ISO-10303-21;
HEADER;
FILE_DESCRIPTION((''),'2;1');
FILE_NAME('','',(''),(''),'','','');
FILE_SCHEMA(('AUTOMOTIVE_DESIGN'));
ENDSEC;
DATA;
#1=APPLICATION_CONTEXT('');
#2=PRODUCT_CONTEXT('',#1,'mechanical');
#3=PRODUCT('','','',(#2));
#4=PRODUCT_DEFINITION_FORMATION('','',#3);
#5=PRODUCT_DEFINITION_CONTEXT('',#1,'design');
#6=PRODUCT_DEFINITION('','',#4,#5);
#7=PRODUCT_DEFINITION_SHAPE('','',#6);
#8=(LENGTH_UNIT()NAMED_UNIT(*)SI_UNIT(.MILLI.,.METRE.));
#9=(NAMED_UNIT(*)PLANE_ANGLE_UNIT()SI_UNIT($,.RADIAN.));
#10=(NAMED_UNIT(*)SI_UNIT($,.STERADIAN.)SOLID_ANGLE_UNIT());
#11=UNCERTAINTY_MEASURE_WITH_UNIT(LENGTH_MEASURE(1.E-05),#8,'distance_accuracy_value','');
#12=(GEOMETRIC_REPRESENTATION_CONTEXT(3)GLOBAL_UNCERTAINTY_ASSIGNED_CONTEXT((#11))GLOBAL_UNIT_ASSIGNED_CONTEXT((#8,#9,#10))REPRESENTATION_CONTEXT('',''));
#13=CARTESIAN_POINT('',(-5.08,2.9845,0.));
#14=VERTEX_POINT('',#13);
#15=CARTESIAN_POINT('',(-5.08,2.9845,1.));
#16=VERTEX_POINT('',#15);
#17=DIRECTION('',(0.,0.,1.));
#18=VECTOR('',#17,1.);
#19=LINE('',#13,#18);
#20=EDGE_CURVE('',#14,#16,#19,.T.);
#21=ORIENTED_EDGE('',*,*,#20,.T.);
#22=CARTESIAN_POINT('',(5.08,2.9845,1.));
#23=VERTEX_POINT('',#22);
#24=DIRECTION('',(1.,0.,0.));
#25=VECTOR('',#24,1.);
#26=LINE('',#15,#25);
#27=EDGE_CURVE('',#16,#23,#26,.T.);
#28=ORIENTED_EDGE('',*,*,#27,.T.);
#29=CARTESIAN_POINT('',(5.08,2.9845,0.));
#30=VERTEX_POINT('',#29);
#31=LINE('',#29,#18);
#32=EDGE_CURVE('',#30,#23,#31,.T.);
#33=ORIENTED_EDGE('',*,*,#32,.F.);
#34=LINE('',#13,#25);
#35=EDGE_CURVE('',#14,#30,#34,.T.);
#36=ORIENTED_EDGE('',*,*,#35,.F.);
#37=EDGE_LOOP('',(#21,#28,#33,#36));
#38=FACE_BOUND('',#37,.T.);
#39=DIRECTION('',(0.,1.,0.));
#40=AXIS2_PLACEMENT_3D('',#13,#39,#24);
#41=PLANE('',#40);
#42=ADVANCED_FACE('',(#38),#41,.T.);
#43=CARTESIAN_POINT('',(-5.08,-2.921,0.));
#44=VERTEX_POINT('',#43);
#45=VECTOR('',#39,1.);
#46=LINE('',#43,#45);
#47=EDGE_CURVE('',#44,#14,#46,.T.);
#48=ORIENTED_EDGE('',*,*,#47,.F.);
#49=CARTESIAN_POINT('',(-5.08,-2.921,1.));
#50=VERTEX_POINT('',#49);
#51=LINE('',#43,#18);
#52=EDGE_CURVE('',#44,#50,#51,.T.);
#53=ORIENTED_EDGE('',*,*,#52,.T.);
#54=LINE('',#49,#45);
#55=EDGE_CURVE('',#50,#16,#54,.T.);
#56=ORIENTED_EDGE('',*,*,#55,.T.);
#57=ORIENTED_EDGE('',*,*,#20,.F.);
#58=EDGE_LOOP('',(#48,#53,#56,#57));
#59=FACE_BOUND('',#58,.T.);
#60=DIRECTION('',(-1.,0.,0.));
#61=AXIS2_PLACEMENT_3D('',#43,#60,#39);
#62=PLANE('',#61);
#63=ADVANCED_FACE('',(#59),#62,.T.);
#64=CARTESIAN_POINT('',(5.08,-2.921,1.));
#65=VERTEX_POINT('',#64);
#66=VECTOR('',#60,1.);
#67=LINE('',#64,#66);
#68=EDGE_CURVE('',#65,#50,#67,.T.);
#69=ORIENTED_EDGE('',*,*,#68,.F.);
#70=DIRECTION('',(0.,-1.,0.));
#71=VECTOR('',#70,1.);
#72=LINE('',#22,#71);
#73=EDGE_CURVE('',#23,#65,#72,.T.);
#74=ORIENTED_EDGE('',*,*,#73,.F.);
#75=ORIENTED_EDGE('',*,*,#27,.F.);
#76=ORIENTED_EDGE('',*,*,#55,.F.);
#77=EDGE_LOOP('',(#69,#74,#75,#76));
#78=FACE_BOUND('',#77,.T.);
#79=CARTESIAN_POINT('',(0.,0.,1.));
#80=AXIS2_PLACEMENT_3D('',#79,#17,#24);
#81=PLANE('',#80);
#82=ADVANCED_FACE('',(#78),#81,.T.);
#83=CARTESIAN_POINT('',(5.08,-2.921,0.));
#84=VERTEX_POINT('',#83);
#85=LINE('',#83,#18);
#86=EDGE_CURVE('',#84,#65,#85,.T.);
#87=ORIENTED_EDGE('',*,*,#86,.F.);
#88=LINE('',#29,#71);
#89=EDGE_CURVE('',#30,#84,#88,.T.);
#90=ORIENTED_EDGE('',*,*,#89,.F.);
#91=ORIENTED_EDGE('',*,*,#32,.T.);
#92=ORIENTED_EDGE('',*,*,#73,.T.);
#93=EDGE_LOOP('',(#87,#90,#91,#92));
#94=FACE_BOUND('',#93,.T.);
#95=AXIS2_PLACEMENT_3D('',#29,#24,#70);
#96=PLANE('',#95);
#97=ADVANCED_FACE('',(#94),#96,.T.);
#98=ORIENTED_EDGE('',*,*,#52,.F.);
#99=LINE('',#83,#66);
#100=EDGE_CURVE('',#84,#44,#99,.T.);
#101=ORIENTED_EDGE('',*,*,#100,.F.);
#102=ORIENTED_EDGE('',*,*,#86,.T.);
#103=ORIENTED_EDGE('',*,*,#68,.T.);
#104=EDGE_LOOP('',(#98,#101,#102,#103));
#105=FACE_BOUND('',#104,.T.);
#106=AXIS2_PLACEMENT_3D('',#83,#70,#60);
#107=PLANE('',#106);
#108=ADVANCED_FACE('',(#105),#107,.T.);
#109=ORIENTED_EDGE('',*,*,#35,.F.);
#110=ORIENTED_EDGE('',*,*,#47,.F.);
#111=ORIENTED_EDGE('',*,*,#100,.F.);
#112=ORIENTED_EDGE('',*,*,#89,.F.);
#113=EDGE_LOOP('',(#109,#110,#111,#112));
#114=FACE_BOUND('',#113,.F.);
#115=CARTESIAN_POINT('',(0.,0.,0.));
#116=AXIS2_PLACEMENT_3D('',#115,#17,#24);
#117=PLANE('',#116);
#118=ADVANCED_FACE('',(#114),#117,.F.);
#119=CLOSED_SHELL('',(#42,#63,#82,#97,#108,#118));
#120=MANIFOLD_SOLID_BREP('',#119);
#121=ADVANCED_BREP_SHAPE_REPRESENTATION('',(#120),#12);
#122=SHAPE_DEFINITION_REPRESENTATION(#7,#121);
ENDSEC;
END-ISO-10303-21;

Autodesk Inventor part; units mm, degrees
ref_plane "YZ Plane" through (0, 0, 0) normal (1, 0, 0) x (0, 1, 0)
ref_plane "XZ Plane" through (0, 0, 0) normal (0, 1, 0) x (-1, 0, 0)
ref_plane "XY Plane" through (0, 0, 0) normal (0, 0, 1) x (1, 0, 0)
sketch "6410-04, LIDAR_34" plane through (0, 0, 0) normal (0, 0, 1) x (1, 0, 0)
  line L0 (-5.08, 2.9845) -> (5.08, 2.9845)
  line L1 (5.08, 2.9845) -> (5.08, -2.921)
  line L2 (5.08, -2.921) -> (-5.08, -2.921)
  line L3 (-5.08, -2.921) -> (-5.08, 2.9845)
extrude "Extrusion1" add sketch "6410-04, LIDAR_34" along normal blind 1
properties part number "LIDAR"
